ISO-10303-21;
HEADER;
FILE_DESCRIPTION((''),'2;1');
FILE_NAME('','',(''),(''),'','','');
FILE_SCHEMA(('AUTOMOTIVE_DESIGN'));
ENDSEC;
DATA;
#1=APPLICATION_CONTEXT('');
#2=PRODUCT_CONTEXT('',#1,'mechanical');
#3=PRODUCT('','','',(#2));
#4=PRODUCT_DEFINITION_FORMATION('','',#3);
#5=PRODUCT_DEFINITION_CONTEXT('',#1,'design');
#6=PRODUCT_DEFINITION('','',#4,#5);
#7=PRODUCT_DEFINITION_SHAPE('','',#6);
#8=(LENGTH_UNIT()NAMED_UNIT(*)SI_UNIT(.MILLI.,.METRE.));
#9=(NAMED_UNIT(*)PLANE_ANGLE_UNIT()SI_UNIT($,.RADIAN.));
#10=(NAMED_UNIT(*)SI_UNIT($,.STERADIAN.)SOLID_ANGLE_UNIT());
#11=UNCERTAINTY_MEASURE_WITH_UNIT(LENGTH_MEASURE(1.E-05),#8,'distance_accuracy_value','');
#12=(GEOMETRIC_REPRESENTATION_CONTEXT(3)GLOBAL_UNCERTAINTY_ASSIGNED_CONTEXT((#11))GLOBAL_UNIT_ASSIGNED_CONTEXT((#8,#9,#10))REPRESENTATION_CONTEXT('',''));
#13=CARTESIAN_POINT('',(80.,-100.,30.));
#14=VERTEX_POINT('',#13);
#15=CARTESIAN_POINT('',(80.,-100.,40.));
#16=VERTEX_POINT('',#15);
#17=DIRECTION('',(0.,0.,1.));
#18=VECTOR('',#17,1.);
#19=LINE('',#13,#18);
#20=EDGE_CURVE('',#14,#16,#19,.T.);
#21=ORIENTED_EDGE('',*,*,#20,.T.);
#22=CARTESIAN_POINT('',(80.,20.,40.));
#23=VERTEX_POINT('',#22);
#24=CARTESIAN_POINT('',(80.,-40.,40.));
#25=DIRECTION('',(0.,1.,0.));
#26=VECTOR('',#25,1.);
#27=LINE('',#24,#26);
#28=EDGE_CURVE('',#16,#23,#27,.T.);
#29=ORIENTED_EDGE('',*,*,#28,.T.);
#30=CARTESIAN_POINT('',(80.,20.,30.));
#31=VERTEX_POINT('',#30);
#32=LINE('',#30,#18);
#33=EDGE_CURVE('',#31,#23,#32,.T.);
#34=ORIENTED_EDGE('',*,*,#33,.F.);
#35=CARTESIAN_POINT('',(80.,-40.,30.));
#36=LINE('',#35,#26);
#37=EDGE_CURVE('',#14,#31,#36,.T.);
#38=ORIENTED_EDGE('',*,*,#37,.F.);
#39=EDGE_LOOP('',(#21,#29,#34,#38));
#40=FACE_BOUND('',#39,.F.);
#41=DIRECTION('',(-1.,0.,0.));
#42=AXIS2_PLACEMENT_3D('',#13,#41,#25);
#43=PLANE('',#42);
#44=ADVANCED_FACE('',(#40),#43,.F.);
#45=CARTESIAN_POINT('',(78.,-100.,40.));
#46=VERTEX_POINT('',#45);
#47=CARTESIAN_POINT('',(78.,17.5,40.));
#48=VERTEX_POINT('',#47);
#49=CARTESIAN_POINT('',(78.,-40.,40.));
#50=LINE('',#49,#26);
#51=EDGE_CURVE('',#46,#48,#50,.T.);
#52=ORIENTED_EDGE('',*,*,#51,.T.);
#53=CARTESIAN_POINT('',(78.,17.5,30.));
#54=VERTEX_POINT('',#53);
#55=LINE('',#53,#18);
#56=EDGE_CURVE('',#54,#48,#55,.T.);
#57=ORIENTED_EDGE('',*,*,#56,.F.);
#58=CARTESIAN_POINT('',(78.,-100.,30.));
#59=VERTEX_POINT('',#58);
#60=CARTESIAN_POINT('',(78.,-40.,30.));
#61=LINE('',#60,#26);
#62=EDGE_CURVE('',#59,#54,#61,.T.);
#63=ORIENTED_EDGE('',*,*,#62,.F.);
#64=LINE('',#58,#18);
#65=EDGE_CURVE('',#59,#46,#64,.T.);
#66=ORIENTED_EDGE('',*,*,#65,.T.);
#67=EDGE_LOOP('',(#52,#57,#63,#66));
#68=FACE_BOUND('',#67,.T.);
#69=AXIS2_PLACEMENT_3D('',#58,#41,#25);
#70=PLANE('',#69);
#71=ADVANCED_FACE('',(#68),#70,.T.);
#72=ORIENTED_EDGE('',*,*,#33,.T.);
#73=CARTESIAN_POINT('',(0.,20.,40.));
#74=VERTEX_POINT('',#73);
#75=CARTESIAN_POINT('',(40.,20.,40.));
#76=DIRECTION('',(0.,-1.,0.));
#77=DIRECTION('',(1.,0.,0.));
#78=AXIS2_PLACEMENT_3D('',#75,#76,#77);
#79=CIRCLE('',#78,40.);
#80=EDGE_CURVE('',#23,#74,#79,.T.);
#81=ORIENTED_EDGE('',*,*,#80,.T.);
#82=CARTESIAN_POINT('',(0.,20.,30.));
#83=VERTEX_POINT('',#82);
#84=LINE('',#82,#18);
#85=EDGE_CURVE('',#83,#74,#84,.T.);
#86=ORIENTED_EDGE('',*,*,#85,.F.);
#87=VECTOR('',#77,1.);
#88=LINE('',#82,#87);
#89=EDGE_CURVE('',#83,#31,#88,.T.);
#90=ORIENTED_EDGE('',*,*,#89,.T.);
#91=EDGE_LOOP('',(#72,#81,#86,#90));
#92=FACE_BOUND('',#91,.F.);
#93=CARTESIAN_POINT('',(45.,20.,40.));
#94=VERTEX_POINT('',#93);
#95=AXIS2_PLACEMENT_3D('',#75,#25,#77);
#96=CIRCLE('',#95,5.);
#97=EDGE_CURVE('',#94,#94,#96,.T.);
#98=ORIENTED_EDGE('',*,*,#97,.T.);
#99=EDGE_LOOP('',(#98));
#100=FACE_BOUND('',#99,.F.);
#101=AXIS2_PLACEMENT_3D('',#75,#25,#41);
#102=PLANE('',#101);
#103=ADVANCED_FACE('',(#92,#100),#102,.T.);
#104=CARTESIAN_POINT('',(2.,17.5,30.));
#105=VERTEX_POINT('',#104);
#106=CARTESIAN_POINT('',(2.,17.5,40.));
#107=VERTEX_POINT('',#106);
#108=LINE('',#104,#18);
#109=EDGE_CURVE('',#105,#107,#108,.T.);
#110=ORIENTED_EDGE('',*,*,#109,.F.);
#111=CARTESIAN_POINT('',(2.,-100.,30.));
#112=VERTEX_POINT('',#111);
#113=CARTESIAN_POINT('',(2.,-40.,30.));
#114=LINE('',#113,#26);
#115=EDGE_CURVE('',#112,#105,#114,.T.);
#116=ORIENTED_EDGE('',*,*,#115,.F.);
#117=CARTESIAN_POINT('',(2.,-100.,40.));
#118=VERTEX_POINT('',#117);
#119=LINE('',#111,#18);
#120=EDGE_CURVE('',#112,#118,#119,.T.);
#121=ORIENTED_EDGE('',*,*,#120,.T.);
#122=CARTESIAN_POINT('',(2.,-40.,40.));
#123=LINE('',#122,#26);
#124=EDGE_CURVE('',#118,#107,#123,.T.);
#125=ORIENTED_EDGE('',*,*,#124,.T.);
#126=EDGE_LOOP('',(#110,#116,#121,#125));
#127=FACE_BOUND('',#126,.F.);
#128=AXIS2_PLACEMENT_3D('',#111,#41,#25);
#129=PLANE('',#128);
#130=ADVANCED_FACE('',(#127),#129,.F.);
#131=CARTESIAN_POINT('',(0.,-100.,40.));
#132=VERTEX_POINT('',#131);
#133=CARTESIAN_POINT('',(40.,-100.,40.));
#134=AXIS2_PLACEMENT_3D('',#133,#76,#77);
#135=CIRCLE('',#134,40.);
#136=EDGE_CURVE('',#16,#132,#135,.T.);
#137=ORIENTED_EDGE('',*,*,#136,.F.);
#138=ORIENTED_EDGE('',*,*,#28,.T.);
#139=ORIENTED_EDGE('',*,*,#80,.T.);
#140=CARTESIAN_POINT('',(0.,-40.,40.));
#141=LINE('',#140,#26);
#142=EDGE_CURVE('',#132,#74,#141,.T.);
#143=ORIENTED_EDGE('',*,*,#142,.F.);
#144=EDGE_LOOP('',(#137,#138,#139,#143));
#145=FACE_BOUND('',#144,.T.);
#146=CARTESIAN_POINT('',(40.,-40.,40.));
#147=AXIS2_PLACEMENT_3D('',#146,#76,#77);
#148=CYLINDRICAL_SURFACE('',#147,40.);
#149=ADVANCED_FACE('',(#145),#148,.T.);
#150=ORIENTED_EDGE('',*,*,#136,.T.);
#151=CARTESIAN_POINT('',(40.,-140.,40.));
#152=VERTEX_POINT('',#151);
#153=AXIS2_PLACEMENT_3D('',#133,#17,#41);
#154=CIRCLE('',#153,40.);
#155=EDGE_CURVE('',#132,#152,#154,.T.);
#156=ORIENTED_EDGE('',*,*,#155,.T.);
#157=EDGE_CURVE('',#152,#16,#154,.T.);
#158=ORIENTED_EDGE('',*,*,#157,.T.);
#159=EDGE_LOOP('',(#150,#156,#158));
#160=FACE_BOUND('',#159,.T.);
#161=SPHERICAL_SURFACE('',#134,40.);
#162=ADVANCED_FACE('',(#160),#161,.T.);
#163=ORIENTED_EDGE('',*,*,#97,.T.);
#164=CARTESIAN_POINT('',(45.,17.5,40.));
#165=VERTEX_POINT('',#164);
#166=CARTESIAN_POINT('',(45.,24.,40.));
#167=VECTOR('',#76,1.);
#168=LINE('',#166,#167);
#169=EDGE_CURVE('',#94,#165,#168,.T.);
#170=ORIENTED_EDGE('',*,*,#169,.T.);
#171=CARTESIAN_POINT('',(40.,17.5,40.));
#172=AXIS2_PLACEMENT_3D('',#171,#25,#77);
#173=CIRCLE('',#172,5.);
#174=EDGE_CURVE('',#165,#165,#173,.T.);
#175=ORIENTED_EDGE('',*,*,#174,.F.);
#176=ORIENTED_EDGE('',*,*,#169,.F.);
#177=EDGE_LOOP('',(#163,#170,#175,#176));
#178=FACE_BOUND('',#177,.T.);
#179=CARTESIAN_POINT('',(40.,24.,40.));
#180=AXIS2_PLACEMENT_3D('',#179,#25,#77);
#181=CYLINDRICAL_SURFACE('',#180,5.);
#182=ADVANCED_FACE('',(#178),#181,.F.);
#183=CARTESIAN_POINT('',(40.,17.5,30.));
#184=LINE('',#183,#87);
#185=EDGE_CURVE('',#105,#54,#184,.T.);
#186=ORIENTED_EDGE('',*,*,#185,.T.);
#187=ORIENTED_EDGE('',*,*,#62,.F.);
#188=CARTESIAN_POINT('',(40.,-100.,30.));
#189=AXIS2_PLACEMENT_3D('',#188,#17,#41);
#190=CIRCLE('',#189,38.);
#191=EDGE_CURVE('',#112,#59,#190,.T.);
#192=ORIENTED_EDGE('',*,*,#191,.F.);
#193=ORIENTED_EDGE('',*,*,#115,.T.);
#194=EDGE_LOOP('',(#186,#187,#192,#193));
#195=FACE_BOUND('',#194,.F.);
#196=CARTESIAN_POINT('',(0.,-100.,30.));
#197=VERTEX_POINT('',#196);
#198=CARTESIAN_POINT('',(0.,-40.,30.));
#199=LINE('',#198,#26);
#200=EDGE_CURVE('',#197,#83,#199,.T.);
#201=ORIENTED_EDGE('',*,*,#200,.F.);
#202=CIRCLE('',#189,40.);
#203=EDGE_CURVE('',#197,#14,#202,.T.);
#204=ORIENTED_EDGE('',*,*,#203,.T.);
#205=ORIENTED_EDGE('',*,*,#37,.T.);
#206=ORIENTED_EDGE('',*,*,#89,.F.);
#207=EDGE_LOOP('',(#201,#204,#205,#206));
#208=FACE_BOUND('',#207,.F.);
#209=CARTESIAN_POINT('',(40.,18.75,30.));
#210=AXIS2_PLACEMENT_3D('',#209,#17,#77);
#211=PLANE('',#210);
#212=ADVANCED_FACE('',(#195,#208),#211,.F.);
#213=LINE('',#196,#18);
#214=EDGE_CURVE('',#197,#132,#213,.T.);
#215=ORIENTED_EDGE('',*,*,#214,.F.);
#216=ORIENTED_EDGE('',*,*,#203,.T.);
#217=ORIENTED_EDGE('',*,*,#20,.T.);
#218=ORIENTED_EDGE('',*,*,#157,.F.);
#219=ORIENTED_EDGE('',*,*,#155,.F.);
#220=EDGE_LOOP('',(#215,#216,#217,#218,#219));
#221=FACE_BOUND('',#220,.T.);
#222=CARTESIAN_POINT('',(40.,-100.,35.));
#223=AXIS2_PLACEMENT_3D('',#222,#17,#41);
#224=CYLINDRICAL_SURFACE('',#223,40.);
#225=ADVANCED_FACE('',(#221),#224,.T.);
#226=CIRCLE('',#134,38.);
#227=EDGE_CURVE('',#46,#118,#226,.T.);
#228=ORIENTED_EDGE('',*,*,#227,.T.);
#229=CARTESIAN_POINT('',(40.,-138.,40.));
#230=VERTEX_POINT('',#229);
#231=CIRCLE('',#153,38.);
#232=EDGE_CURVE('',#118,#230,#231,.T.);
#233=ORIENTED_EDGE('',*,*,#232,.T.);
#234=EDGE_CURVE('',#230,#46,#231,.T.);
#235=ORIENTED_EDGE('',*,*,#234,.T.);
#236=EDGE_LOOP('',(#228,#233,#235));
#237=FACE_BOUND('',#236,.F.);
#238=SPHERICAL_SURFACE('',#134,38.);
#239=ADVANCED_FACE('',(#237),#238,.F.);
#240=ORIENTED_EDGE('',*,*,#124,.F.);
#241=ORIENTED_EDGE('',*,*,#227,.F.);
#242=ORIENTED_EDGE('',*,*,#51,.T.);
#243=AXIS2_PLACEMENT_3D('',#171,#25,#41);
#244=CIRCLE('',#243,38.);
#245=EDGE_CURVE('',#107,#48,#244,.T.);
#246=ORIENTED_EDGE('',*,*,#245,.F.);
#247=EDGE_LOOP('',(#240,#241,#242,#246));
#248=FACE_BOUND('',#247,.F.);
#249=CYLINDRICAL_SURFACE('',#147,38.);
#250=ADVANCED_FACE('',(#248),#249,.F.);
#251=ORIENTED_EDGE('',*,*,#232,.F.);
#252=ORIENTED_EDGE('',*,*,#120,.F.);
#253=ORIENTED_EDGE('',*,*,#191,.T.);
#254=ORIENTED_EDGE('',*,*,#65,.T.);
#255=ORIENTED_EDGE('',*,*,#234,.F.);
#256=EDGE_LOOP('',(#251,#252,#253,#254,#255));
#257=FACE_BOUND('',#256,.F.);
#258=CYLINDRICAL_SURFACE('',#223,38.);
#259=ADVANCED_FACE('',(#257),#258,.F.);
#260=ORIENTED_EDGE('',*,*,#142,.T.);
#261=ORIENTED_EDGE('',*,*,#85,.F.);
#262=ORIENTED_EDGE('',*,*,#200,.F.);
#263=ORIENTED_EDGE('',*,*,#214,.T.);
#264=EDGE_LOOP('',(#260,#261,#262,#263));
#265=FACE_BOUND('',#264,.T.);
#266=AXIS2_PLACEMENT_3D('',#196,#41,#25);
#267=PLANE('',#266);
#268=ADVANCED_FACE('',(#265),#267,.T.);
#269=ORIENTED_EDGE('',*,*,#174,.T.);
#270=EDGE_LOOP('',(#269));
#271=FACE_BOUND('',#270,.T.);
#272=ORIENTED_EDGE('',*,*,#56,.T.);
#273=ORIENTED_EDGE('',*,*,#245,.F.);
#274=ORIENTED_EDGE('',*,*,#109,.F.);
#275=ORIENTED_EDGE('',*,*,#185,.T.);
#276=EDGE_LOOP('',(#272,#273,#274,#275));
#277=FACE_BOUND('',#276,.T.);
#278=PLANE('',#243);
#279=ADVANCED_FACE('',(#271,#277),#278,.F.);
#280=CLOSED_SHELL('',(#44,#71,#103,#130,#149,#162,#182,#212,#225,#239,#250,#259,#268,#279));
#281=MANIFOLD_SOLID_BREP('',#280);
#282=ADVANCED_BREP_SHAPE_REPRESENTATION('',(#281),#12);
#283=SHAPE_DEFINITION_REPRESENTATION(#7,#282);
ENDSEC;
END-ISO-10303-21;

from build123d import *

# Parameters (mm, degrees)
CYLINDER003_W     = 38
CYLINDER003_H     = 120
CYLINDER003_ANGLE = 180
CYLINDER_W        = 40
CYLINDER_H        = 120
CYLINDER_ANGLE    = 180
CYLINDER002_W     = 38
CYLINDER002_H     = 10
CYLINDER002_ANGLE = 180
CYLINDER001_W     = 40
CYLINDER001_H     = 10
CYLINDER001_ANGLE = 180
CYLINDER004_W     = 40
CYLINDER004_H     = 120
CYLINDER004_ANGLE = 180
SPHERE001_ANGLE   = 180
SPHERE_ANGLE      = 180
CYLINDER006_R     = 5
CYLINDER006_DEPTH = 17
CYLINDER005_W     = 38
CYLINDER005_H     = 2.5
CYLINDER005_ANGLE = 180
BOX_W             = 76
BOX_H             = 2.5
BOX_DEPTH         = 10
BOX002_W          = 76
BOX002_H          = 120
BOX002_DEPTH      = 10
BOX001_W          = 80
BOX001_H          = 120
BOX001_DEPTH      = 10


with BuildPart() as cilindro_superior_menor:
    # Cylinder003 → Cylinder003 (revolve)
    with BuildSketch(Plane(origin=(40, 20, 40), x_dir=(1, 0, 0), z_dir=(0, 0, -1))):
        with Locations((19, 60)):
            Rectangle(CYLINDER003_W, CYLINDER003_H)
    revolve(axis=Axis((40, 20, 40), (0, -1, 0)), revolution_arc=CYLINDER003_ANGLE)


with BuildPart() as techo:
    # Cylinder → Cylinder (revolve)
    with BuildSketch(Plane(origin=(40, 20, 40), x_dir=(1, 0, 0), z_dir=(0, 0, -1))):
        with Locations((20, 60)):
            Rectangle(CYLINDER_W, CYLINDER_H)
    revolve(axis=Axis((40, 20, 40), (0, -1, 0)), revolution_arc=CYLINDER_ANGLE)

    # Cut001: cut Cilindro superior menor
    add(cilindro_superior_menor.part, mode=Mode.SUBTRACT)


with BuildPart() as cilindro_menor:
    # Cylinder002 → Cylinder002 (revolve)
    with BuildSketch(Plane(origin=(40, -100, 30), x_dir=(-1, 0, 0), z_dir=(0, 1, 0))):
        with Locations((19, 5)):
            Rectangle(CYLINDER002_W, CYLINDER002_H)
    revolve(axis=Axis((40, -100, 30), (0, 0, 1)), revolution_arc=CYLINDER002_ANGLE)


with BuildPart() as borde_de_cupula:
    # Cylinder001 → Cylinder001 (revolve)
    with BuildSketch(Plane(origin=(40, -100, 30), x_dir=(-1, 0, 0), z_dir=(0, 1, 0))):
        with Locations((20, 5)):
            Rectangle(CYLINDER001_W, CYLINDER001_H)
    revolve(axis=Axis((40, -100, 30), (0, 0, 1)), revolution_arc=CYLINDER001_ANGLE)

    # Cut003: cut Cilindro menor
    add(cilindro_menor.part, mode=Mode.SUBTRACT)


with BuildPart() as cylinder004:
    # Cylinder004 → Cylinder004 (revolve)
    with BuildSketch(Plane(origin=(40, 20, 40), x_dir=(1, 0, 0), z_dir=(0, 0, -1))):
        with Locations((20, 60)):
            Rectangle(CYLINDER004_W, CYLINDER004_H)
    revolve(axis=Axis((40, 20, 40), (0, -1, 0)), revolution_arc=CYLINDER004_ANGLE)


with BuildPart() as esfera_menor:
    # Sphere001 → Sphere001 (revolve)
    with BuildSketch(Plane(origin=(40, -100, 40), x_dir=(1, 0, 0), z_dir=(0, 0, -1))):
        with BuildLine():
            ThreePointArc((0, -38), (38, 0), (0, 38))
            Line((0, 38), (0, -38))
        make_face()
    revolve(axis=Axis((40, -100, 40), (0, -1, 0)), revolution_arc=SPHERE001_ANGLE)


with BuildPart() as cupula_cortada:
    # Sphere → Sphere (revolve)
    with BuildSketch(Plane(origin=(40, -100, 40), x_dir=(1, 0, 0), z_dir=(0, 0, -1))):
        with BuildLine():
            ThreePointArc((0, -40), (40, 0), (0, 40))
            Line((0, 40), (0, -40))
        make_face()
    revolve(axis=Axis((40, -100, 40), (0, -1, 0)), revolution_arc=SPHERE_ANGLE)

    # Cut002: cut Esfera menor
    add(esfera_menor.part, mode=Mode.SUBTRACT)

    # Cut004: cut Cylinder004
    add(cylinder004.part, mode=Mode.SUBTRACT)


with BuildPart() as agujero:
    # Cylinder006 → Cylinder006 (new body)
    with BuildSketch(Plane(origin=(40, 24, 40), x_dir=(1, 0, 0), z_dir=(0, -1, 0))):
        Circle(CYLINDER006_R)
    extrude(amount=CYLINDER006_DEPTH)


with BuildPart() as soporte_para_superior:
    # Cylinder005 → Cylinder005 (revolve)
    with BuildSketch(Plane(origin=(40, 17.5, 40), x_dir=(-1, 0, 0), z_dir=(0, 0, -1))):
        with Locations((19, 1.25)):
            Rectangle(CYLINDER005_W, CYLINDER005_H)
    revolve(axis=Axis((40, 17.5, 40), (0, 1, 0)), revolution_arc=CYLINDER005_ANGLE)


with BuildPart() as soporte_con_agujero:
    # Box → Box (new body)
    with BuildSketch(Plane(origin=(2, 17.5, 30), x_dir=(1, 0, 0), z_dir=(0, 0, 1))):
        with Locations((38, 1.25)):
            Rectangle(BOX_W, BOX_H)
    extrude(amount=BOX_DEPTH)

    # Fusion: union Soporte para superior
    add(soporte_para_superior.part)

    # Cut005: cut Agujero
    add(agujero.part, mode=Mode.SUBTRACT)


with BuildPart() as rectangulo_menor:
    # Box002 → Box002 (new body)
    with BuildSketch(Plane(origin=(2, -100, 30), x_dir=(1, 0, 0), z_dir=(0, 0, 1))):
        with Locations((38, 60)):
            Rectangle(BOX002_W, BOX002_H)
    extrude(amount=BOX002_DEPTH)


with BuildPart() as cabeza_de_lampara_terminada:
    # Box001 → Box001 (new body)
    with BuildSketch(Plane(origin=(0, -100, 30), x_dir=(1, 0, 0), z_dir=(0, 0, 1))):
        with Locations((40, 60)):
            Rectangle(BOX001_W, BOX001_H)
    extrude(amount=BOX001_DEPTH)

    # Cut: cut Rectangulo menor
    add(rectangulo_menor.part, mode=Mode.SUBTRACT)

    # Fusion001: union Techo, Borde de cupula, Cupula cortada, Soporte con agujero
    add(techo.part)
    add(borde_de_cupula.part)
    add(cupula_cortada.part)
    add(soporte_con_agujero.part)


solid = cabeza_de_lampara_terminada.part
